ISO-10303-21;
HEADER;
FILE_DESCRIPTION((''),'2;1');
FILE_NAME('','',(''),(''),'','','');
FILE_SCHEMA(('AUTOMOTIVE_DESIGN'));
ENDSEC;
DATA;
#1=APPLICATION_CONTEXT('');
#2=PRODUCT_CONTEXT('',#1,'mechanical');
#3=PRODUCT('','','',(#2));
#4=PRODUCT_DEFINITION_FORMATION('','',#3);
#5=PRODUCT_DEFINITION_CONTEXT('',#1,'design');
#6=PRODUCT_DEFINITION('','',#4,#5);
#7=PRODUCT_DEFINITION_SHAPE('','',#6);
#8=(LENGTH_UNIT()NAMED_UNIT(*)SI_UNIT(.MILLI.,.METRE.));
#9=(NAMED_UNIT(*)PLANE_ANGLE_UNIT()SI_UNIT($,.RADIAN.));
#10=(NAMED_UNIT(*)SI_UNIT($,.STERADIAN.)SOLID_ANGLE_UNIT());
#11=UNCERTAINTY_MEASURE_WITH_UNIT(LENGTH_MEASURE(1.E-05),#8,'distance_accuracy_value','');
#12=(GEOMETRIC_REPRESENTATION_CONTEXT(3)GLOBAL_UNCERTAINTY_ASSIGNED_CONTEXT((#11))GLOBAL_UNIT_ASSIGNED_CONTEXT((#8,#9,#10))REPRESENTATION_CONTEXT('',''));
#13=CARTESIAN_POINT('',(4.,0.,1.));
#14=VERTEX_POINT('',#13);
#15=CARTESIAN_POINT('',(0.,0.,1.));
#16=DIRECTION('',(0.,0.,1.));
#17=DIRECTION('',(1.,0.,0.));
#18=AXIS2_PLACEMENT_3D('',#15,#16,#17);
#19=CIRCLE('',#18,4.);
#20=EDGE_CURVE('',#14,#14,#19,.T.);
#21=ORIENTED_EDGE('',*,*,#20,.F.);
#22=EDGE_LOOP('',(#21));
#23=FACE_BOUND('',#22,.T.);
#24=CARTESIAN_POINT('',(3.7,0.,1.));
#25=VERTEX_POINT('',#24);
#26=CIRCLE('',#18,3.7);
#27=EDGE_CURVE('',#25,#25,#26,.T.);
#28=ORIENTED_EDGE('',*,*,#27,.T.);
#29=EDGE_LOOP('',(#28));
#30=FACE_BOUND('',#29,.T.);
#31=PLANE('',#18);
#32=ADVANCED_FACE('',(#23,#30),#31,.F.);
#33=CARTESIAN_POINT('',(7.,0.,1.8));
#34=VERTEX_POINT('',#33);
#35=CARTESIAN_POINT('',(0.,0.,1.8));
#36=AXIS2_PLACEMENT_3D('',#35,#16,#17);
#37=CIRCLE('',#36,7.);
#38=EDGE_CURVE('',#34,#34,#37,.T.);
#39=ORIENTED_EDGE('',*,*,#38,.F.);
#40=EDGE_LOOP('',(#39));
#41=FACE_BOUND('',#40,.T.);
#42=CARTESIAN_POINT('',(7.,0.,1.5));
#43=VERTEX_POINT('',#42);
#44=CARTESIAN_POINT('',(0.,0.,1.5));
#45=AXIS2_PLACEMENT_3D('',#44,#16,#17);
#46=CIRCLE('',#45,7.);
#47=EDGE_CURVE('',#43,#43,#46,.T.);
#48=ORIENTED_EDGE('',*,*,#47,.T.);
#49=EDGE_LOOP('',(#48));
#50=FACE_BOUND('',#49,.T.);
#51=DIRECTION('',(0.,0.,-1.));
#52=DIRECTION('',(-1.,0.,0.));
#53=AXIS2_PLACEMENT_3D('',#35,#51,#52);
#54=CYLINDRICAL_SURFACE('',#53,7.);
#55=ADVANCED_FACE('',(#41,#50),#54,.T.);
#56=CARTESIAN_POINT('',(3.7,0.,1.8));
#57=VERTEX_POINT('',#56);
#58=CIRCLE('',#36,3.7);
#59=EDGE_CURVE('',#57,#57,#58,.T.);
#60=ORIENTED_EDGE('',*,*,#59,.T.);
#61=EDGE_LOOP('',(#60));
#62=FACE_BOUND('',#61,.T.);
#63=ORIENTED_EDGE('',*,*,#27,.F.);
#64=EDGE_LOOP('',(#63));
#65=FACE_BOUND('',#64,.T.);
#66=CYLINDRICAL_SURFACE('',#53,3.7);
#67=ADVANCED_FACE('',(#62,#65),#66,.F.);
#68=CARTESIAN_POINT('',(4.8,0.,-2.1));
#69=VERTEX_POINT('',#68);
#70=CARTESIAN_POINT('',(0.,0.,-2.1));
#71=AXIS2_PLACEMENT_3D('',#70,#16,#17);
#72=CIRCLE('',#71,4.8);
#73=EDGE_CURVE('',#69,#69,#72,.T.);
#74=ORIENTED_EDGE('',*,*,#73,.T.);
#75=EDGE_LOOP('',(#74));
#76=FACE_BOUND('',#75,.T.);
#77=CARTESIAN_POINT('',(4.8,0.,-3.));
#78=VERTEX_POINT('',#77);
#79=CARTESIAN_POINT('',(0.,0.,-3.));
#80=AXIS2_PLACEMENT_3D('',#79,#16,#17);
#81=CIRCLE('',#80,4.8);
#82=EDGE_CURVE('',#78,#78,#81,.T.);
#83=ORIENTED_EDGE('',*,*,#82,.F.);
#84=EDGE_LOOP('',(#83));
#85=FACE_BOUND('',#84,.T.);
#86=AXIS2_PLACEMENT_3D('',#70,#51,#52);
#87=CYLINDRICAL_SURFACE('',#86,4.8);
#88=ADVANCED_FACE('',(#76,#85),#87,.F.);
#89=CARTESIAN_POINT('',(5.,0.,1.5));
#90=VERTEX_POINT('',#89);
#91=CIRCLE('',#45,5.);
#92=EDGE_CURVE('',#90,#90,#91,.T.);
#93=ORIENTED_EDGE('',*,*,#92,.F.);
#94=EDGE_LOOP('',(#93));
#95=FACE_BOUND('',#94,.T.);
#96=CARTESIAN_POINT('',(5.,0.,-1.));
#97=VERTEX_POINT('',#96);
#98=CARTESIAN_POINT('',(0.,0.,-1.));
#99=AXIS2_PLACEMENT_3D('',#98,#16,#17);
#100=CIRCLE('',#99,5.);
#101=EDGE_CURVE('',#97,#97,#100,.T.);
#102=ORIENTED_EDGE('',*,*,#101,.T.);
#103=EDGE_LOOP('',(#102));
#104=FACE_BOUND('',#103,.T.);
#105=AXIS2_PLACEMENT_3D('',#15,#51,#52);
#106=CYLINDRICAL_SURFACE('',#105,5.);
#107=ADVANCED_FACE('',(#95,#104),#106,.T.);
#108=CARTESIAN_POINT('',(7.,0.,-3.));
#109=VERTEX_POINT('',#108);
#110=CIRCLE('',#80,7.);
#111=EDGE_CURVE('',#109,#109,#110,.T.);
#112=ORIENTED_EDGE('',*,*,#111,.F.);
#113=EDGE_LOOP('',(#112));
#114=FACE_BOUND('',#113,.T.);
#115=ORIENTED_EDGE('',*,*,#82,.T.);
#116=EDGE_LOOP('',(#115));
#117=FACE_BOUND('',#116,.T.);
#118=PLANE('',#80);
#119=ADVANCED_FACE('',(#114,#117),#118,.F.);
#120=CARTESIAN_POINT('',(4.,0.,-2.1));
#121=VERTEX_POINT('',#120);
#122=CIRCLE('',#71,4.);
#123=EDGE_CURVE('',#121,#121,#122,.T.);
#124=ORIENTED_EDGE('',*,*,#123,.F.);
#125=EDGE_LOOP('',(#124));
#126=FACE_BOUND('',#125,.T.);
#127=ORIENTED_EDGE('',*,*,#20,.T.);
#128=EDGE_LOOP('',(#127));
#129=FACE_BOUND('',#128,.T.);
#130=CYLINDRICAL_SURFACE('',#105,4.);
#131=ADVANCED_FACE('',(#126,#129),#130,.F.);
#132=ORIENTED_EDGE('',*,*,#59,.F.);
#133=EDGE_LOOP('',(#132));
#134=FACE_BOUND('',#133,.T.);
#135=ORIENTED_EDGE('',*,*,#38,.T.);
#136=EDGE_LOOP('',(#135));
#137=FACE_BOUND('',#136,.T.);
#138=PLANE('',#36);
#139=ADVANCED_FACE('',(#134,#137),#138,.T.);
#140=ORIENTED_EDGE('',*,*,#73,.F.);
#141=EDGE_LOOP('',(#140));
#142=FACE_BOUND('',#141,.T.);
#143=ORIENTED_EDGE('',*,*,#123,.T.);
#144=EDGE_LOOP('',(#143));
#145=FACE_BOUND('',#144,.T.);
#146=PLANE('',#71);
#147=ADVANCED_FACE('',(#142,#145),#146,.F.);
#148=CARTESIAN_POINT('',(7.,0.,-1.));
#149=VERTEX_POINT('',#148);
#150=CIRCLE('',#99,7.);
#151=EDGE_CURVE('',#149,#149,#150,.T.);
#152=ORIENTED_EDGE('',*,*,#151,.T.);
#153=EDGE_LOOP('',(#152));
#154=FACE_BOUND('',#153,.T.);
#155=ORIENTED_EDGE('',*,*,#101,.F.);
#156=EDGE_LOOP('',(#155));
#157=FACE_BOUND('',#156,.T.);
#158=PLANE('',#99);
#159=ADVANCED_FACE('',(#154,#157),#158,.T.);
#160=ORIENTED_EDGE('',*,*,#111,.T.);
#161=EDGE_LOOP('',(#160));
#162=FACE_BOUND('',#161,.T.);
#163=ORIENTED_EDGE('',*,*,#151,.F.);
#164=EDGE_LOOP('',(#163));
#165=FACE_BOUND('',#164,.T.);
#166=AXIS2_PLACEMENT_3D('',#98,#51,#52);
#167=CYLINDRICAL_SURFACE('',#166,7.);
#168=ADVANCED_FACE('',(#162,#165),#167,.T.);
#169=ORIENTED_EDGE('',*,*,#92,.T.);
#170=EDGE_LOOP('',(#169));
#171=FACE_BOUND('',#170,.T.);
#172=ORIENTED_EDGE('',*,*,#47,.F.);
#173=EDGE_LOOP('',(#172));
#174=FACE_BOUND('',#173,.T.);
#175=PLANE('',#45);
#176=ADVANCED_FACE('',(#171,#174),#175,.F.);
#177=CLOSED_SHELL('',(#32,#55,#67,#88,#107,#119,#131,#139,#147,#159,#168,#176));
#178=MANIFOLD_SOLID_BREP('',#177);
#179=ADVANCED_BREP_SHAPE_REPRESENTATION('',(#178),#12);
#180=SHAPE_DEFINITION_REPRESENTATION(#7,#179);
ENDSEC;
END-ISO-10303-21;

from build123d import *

# Parameters (mm, degrees)
D10_PILOT_AND_M10X0P5_THREAD_ENVELOPE_START = -1
SKETCH1_R                                   = 5
SKETCH1_R_2                                 = 4
D10_PILOT_AND_M10X0P5_THREAD_ENVELOPE_DEPTH = 2
OUTER_RACE_INNER_SHOULDER_ID7P4_START       = 1
SKETCH2_R                                   = 5
SKETCH2_R_2                                 = 3.7
OUTER_RACE_INNER_SHOULDER_ID7P4_DEPTH       = 0.8
INBOARD_G10_RETENTION_FLANGE_H0P3_START     = 1.5
SKETCH3_R                                   = 7
SKETCH3_R_2                                 = 3.7
INBOARD_G10_RETENTION_FLANGE_H0P3_DEPTH     = 0.3
M14X0P5_BEARING_CAP_BOSS_START              = -2.1
SKETCH4_R                                   = 7
SKETCH4_R_2                                 = 4
M14X0P5_BEARING_CAP_BOSS_DEPTH              = 1.1
FLANGED_RACE_POCKET_D9P6_START              = -3
SKETCH5_R                                   = 7
SKETCH5_R_2                                 = 4.8
FLANGED_RACE_POCKET_D9P6_DEPTH              = 0.9


with BuildPart() as part:
    # Sketch1 → D10_Pilot_And_M10x0p5_Thread_Envelope (new body)
    with BuildSketch(Plane.XY.offset(D10_PILOT_AND_M10X0P5_THREAD_ENVELOPE_START)):
        Circle(SKETCH1_R)
        Circle(SKETCH1_R_2, mode=Mode.SUBTRACT)
    extrude(amount=D10_PILOT_AND_M10X0P5_THREAD_ENVELOPE_DEPTH)

    # Sketch2 → Outer_Race_Inner_Shoulder_ID7p4 (add)
    with BuildSketch(Plane.XY.offset(OUTER_RACE_INNER_SHOULDER_ID7P4_START)):
        Circle(SKETCH2_R)
        Circle(SKETCH2_R_2, mode=Mode.SUBTRACT)
    extrude(amount=OUTER_RACE_INNER_SHOULDER_ID7P4_DEPTH)

    # Sketch3 → Inboard_G10_Retention_Flange_H0p3 (add)
    with BuildSketch(Plane.XY.offset(INBOARD_G10_RETENTION_FLANGE_H0P3_START)):
        Circle(SKETCH3_R)
        Circle(SKETCH3_R_2, mode=Mode.SUBTRACT)
    extrude(amount=INBOARD_G10_RETENTION_FLANGE_H0P3_DEPTH)

    # Sketch4 → M14x0p5_Bearing_Cap_Boss (add)
    with BuildSketch(Plane.XY.offset(M14X0P5_BEARING_CAP_BOSS_START)):
        Circle(SKETCH4_R)
        Circle(SKETCH4_R_2, mode=Mode.SUBTRACT)
    extrude(amount=M14X0P5_BEARING_CAP_BOSS_DEPTH)

    # Sketch5 → Flanged_Race_Pocket_D9p6 (add)
    with BuildSketch(Plane.XY.offset(FLANGED_RACE_POCKET_D9P6_START)):
        Circle(SKETCH5_R)
        Circle(SKETCH5_R_2, mode=Mode.SUBTRACT)
    extrude(amount=FLANGED_RACE_POCKET_D9P6_DEPTH)


solid = part.part
